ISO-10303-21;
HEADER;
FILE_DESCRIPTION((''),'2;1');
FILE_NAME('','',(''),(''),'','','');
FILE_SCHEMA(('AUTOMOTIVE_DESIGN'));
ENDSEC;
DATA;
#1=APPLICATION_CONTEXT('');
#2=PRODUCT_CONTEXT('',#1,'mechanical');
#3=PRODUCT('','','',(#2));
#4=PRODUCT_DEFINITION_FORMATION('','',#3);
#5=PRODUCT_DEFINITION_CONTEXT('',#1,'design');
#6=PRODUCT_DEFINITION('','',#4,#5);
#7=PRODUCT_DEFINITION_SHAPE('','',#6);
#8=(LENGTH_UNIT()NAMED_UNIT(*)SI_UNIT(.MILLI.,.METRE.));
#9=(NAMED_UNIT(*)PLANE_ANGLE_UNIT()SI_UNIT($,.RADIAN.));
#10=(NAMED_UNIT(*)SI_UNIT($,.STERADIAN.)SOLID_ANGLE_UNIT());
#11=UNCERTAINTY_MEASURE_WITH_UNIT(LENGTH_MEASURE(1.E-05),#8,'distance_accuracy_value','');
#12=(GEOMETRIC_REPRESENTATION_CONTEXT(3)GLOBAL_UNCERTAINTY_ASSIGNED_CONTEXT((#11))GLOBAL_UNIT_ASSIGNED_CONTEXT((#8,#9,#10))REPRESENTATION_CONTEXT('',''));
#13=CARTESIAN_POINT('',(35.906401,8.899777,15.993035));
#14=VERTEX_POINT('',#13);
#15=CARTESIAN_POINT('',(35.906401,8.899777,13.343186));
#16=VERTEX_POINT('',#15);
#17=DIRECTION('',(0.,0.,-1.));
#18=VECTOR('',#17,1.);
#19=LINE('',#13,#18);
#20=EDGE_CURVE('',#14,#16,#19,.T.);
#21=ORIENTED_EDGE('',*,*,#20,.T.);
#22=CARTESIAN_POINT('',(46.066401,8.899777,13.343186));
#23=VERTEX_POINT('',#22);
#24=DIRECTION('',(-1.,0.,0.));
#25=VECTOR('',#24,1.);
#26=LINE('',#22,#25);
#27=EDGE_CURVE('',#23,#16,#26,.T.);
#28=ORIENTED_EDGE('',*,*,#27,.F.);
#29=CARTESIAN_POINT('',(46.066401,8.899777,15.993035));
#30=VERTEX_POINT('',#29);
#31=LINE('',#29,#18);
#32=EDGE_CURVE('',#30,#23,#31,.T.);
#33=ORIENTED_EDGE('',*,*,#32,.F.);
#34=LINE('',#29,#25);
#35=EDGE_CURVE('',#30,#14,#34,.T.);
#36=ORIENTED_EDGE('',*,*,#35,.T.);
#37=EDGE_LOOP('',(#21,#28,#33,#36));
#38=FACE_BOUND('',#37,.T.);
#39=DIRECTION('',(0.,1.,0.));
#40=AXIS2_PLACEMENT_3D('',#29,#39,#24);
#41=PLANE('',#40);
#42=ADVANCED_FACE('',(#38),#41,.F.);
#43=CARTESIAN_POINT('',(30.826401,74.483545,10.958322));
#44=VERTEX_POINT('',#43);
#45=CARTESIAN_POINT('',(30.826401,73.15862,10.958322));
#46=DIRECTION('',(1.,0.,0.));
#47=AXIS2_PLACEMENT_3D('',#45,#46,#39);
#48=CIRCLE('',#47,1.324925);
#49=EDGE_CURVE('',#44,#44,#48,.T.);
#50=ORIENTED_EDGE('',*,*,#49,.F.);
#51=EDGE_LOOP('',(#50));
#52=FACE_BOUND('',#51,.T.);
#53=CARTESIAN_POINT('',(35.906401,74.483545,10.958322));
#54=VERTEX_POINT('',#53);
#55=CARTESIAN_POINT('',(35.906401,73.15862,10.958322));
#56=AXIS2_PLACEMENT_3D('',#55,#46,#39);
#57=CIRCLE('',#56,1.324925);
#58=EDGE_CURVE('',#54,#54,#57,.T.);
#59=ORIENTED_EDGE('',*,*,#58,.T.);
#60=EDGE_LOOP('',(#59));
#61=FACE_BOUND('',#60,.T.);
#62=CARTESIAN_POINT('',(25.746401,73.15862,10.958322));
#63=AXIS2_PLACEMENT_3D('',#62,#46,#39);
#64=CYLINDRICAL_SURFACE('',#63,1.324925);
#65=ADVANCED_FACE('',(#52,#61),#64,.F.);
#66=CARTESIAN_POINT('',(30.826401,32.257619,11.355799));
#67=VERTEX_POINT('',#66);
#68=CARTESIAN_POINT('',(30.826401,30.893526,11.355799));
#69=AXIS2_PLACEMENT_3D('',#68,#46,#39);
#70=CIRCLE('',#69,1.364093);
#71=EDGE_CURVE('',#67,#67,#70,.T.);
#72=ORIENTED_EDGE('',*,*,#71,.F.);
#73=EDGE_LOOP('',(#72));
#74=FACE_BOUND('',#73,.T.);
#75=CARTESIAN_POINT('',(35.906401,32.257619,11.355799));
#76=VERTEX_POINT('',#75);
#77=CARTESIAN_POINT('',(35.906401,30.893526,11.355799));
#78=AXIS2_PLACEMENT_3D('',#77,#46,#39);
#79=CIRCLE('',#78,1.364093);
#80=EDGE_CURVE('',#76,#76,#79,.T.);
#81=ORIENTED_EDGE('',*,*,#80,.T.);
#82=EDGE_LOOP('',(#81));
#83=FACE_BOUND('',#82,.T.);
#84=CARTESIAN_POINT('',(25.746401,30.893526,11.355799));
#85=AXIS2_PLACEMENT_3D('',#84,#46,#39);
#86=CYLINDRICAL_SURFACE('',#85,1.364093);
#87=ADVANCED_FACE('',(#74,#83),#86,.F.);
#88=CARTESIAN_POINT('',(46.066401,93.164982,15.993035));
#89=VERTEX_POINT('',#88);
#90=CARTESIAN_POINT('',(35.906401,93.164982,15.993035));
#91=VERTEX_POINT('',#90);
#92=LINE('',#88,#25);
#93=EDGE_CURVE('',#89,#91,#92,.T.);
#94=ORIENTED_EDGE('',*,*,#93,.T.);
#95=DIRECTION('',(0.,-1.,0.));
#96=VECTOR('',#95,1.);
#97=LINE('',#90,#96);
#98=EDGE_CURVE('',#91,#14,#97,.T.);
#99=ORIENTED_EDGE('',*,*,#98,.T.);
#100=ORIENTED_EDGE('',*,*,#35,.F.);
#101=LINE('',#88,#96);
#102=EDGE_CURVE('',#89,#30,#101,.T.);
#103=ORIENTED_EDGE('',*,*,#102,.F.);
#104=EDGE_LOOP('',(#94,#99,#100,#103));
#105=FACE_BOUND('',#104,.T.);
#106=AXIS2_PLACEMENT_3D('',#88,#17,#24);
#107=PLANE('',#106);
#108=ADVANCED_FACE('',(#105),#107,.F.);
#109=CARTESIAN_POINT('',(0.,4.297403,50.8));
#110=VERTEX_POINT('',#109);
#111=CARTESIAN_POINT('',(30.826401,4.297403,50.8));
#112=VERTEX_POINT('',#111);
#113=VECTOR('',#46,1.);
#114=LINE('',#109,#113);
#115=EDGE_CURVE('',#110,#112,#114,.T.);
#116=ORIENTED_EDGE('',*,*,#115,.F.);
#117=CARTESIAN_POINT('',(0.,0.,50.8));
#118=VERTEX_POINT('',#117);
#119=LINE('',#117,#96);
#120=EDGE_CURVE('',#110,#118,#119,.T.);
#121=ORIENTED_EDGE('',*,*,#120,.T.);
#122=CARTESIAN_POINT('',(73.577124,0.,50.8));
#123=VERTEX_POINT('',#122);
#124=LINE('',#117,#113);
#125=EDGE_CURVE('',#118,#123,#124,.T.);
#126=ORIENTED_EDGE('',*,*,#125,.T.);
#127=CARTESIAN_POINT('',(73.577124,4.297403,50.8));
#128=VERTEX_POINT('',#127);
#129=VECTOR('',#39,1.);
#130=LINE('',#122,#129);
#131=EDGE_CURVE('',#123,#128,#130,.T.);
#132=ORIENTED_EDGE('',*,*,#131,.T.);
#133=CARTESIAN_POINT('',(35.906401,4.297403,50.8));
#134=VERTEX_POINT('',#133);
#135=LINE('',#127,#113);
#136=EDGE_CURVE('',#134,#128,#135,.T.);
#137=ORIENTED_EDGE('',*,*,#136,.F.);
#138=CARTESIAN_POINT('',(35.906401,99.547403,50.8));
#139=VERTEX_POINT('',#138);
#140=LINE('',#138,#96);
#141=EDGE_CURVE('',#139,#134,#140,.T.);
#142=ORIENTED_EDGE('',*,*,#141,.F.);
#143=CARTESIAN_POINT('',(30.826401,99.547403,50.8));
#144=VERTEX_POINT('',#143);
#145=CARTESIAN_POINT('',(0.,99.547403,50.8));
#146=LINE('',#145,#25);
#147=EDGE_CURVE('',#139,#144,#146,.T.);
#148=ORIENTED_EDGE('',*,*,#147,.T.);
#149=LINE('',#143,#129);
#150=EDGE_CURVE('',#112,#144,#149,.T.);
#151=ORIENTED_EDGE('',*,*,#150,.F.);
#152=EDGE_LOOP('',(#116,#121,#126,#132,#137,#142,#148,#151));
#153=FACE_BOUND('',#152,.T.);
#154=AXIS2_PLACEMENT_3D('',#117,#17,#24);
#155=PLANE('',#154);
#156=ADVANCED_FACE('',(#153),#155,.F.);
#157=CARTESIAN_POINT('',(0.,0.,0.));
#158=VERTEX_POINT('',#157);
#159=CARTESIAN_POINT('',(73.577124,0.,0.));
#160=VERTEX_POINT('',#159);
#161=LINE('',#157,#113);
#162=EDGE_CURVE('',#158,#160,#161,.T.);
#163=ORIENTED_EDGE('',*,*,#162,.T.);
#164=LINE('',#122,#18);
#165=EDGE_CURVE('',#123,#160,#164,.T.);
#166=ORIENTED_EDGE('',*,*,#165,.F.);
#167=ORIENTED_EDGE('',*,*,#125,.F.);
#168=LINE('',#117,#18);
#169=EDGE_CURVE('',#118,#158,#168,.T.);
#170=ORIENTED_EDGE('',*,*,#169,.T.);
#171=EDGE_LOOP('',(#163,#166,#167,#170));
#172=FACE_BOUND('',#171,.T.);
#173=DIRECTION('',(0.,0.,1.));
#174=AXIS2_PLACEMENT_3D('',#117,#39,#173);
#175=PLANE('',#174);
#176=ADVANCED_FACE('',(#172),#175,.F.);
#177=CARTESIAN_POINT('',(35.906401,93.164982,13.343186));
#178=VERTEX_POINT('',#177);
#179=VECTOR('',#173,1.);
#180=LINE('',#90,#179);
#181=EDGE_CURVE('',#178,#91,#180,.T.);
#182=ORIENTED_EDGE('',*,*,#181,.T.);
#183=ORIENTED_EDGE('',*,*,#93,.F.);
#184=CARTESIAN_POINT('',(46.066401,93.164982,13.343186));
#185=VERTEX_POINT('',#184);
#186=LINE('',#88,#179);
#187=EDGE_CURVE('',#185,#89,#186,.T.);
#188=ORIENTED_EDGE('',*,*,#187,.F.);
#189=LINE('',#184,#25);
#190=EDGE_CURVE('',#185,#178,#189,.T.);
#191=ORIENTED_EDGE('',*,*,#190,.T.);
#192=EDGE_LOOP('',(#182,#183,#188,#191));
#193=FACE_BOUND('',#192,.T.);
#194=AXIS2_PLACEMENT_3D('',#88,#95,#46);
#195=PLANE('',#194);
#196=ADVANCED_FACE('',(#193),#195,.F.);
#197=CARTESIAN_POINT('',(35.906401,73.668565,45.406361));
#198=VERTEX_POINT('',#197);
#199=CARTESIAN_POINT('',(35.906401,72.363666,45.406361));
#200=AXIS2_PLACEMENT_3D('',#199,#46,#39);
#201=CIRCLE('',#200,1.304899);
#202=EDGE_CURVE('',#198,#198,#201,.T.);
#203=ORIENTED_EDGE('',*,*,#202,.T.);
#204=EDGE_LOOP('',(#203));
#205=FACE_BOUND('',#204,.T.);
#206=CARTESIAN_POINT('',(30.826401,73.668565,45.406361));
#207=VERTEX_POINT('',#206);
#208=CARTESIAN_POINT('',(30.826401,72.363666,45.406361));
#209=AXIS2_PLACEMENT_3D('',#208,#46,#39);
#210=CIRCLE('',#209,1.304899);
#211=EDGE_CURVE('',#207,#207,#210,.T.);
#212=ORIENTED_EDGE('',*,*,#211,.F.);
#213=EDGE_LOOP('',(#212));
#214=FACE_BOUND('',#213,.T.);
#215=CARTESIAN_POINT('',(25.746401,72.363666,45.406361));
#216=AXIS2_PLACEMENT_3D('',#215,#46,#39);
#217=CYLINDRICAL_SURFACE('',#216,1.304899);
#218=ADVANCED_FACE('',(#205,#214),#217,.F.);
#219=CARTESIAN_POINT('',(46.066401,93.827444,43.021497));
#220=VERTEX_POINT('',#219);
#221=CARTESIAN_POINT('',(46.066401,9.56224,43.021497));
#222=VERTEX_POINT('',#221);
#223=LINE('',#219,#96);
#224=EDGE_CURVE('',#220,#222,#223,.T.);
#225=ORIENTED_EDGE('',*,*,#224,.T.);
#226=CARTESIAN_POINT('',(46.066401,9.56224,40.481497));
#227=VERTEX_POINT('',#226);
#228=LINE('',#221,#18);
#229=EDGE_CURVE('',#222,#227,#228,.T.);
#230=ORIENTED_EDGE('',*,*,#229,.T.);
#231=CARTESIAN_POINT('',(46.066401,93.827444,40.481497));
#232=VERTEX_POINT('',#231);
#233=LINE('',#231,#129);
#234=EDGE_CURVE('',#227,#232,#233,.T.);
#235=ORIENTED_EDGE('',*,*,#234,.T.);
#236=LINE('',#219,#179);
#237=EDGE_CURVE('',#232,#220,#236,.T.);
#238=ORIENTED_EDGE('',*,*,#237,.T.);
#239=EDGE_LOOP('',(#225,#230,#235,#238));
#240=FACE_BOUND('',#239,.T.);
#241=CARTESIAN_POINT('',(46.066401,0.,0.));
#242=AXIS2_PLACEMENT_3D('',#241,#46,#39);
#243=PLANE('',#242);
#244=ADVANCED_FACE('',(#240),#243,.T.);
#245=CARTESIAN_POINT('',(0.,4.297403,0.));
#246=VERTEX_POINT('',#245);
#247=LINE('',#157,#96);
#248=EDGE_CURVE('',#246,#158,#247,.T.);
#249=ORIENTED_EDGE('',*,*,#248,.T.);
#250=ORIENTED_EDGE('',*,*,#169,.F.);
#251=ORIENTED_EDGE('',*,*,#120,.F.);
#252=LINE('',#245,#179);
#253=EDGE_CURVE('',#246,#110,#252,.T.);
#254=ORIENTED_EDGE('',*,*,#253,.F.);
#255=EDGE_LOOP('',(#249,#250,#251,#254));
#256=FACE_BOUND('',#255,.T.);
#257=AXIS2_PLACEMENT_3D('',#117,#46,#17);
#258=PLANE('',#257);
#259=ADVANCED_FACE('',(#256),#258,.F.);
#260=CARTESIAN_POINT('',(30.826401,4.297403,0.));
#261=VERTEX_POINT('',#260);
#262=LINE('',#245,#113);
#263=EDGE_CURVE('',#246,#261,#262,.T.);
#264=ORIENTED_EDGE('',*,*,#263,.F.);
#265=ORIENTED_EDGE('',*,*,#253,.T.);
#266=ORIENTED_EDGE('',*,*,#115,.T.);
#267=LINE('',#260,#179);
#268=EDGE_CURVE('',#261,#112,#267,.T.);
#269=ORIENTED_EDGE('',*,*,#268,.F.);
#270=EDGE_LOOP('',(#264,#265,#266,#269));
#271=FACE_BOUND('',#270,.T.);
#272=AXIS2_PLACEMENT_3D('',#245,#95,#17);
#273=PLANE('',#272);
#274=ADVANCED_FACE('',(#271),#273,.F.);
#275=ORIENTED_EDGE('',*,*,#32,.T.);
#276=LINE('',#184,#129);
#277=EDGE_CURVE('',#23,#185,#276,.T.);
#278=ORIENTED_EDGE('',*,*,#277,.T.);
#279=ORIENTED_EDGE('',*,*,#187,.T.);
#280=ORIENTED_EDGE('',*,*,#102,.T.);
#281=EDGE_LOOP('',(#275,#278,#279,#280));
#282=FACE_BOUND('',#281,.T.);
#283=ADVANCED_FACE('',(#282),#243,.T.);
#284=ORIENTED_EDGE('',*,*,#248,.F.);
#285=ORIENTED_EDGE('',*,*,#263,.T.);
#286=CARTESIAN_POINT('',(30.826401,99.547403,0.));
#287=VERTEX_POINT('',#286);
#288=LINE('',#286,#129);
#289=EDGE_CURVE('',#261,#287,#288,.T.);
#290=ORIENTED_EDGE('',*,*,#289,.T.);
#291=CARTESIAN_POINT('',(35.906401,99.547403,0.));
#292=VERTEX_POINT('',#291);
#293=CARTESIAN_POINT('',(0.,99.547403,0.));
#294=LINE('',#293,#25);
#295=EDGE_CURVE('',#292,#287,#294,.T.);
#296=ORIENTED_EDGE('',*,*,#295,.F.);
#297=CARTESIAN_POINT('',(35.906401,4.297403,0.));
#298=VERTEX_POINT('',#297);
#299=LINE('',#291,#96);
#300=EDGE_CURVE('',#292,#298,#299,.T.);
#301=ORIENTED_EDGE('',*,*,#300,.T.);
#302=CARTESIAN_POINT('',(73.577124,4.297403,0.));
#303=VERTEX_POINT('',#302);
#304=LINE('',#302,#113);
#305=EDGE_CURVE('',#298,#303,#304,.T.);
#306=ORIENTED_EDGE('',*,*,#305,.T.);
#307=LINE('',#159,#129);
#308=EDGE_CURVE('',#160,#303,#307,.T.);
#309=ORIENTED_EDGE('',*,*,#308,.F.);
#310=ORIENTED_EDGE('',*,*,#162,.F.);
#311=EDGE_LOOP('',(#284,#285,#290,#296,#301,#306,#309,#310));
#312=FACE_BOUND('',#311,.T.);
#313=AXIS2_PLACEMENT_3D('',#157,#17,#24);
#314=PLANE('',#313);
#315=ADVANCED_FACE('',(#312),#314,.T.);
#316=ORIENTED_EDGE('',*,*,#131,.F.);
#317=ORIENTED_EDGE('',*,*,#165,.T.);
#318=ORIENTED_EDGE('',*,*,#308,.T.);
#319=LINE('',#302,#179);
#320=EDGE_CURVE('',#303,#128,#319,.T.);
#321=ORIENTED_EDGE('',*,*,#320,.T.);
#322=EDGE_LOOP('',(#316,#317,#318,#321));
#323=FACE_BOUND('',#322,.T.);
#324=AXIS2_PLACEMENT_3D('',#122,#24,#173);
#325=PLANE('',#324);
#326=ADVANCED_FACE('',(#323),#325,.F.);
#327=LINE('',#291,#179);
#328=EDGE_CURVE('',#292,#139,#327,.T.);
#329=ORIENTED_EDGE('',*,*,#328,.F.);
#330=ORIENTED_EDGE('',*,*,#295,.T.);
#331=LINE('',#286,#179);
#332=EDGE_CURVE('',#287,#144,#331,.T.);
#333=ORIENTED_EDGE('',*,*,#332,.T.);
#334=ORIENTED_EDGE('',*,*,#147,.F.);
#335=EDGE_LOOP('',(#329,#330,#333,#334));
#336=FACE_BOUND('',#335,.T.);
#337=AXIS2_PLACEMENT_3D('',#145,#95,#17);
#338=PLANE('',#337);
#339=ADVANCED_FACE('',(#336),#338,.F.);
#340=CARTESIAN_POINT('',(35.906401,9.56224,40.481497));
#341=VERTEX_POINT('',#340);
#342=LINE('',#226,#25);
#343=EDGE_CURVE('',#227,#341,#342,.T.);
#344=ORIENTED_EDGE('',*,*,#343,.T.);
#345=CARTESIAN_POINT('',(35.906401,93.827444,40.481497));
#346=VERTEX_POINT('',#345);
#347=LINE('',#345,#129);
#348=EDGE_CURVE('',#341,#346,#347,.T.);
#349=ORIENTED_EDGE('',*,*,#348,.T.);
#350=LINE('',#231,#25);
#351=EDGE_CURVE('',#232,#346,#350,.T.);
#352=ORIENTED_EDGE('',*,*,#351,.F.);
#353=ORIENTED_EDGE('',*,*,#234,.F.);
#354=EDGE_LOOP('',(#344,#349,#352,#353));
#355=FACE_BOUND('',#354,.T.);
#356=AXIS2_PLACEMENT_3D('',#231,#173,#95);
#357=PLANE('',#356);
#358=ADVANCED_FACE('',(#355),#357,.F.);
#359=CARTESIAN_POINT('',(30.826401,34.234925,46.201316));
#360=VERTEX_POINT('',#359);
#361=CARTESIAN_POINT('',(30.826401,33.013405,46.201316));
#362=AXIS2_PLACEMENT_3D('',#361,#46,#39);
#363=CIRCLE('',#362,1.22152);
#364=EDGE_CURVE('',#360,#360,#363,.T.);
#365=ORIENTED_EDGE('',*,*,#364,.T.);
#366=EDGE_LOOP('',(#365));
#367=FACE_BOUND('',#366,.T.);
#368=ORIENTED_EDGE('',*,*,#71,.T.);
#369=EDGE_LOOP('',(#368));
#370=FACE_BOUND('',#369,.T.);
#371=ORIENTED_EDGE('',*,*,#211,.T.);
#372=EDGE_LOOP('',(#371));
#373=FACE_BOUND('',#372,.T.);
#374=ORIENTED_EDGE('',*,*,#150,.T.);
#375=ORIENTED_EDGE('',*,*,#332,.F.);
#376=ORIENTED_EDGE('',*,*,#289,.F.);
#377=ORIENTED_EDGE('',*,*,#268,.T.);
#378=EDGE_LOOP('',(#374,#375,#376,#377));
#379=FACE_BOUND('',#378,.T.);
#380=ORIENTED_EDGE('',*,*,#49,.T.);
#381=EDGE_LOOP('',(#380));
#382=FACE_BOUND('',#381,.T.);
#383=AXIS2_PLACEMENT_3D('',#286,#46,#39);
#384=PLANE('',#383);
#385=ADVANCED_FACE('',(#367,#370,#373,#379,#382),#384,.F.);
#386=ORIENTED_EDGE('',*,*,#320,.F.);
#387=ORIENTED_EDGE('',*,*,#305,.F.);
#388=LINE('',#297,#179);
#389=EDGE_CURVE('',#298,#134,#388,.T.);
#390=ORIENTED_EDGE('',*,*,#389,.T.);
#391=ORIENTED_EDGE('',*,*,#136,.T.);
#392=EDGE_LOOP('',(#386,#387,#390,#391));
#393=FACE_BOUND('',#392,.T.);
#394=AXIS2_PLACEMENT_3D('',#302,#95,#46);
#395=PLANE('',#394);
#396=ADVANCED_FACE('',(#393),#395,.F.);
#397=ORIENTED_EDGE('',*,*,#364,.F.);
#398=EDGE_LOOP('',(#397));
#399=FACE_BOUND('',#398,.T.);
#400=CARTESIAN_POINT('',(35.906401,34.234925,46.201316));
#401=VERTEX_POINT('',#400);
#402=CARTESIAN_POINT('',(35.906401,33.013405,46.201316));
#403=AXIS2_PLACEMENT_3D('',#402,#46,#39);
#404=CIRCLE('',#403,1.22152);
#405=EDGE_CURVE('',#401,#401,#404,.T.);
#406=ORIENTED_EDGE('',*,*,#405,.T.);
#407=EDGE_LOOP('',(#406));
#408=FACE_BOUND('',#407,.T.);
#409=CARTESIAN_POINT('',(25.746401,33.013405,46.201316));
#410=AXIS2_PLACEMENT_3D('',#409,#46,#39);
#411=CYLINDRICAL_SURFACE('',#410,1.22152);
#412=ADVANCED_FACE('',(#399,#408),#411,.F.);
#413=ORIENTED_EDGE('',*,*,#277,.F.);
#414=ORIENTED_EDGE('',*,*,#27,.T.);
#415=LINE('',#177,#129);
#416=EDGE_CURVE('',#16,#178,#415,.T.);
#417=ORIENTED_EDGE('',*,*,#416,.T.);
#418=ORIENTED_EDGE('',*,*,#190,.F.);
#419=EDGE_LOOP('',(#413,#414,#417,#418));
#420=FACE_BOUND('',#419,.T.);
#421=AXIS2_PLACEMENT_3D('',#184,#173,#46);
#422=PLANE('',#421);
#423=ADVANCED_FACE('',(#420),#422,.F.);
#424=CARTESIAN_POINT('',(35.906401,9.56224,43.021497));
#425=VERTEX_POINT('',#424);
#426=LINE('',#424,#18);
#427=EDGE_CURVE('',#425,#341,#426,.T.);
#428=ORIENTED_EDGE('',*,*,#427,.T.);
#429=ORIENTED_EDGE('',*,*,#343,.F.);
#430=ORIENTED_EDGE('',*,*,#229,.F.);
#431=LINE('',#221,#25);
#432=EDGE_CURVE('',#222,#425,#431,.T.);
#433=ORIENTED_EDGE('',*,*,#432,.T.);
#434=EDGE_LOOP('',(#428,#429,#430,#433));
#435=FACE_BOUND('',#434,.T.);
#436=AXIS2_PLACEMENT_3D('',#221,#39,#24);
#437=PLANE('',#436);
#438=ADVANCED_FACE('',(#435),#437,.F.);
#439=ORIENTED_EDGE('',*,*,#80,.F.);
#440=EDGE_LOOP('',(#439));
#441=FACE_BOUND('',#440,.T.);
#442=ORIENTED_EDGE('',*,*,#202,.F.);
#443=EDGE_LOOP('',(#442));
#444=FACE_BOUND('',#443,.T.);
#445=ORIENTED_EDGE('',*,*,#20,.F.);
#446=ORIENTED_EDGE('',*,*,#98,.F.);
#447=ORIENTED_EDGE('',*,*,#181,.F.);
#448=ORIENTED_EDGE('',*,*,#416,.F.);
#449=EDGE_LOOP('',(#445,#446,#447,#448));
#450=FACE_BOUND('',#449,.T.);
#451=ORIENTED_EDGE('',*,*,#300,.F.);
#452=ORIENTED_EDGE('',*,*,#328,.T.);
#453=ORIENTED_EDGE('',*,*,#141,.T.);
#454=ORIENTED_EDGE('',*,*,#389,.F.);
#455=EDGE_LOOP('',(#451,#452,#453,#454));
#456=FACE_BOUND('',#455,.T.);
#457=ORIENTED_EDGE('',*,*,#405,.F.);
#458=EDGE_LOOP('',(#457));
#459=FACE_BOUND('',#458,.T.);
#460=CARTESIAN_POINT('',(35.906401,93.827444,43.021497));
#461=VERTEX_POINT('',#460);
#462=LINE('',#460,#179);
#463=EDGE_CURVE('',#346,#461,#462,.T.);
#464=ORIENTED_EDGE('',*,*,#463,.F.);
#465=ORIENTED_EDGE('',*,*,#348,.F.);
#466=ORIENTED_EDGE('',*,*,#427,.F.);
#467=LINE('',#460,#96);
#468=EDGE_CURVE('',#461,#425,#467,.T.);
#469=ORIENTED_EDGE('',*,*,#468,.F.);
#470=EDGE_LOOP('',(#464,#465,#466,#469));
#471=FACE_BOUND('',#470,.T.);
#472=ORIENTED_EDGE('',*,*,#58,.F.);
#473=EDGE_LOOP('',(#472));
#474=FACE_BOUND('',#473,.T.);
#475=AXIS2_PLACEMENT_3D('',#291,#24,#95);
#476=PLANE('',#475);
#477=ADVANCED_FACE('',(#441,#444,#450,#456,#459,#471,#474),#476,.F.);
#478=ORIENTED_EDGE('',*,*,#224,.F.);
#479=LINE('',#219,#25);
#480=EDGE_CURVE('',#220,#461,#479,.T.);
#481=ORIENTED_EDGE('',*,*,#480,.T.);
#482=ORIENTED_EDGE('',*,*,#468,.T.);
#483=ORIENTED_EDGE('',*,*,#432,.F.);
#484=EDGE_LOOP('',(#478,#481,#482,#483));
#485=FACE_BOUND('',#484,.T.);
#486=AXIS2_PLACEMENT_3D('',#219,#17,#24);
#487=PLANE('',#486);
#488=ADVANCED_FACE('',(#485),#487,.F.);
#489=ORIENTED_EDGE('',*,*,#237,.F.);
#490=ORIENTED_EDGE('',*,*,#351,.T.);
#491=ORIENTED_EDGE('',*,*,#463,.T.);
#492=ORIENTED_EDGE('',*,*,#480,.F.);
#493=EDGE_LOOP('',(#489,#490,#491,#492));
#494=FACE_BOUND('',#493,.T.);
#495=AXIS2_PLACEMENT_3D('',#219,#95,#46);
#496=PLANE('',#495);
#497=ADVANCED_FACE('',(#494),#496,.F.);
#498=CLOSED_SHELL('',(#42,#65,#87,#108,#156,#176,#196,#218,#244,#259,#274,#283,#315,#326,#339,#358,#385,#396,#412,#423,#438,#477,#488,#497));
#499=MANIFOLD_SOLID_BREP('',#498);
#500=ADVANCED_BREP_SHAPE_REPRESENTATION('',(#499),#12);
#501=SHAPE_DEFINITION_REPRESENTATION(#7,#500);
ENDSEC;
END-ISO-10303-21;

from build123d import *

# Parameters (mm, degrees)
SKETCH5_W           = 73.577123652
SKETCH5_H           = 99.547402554
BOSS_EXTRUDE2_DEPTH = 50.8
SKETCH6_W           = 30.82640112
SKETCH6_H           = 95.25
CUT_EXTRUDE3_DEPTH  = 50.8
SKETCH7_W           = 37.670722532
SKETCH7_H           = 95.25
CUT_EXTRUDE4_DEPTH  = 50.8
SKETCH8_W           = 2.54
SKETCH8_H           = 84.265204652
BOSS_EXTRUDE3_DEPTH = 10.16
SKETCH9_W           = 2.649849203
SKETCH9_H           = 84.265204652
BOSS_EXTRUDE4_DEPTH = 10.16
SKETCH10_R          = 1.3048994
CUT_EXTRUDE5_DEPTH  = 10.16
SKETCH11_R          = 1.324924601
CUT_EXTRUDE6_DEPTH  = 10.16
SKETCH12_R          = 1.221520127
CUT_EXTRUDE7_DEPTH  = 10.16
SKETCH13_R          = 1.364093366
CUT_EXTRUDE8_DEPTH  = 10.16


with BuildPart() as part:
    # Sketch5 → Boss-Extrude2 (new body)
    with BuildSketch(Plane.XY):
        with Locations((36.788561826, 49.773701277)):
            Rectangle(SKETCH5_W, SKETCH5_H)
    extrude(amount=BOSS_EXTRUDE2_DEPTH)

    # Sketch6 → Cut-Extrude3 (cut)
    with BuildSketch(Plane.XY.offset(50.8)):
        with Locations((15.41320056, 51.922402554)):
            Rectangle(SKETCH6_W, SKETCH6_H)
    extrude(amount=-CUT_EXTRUDE3_DEPTH, mode=Mode.SUBTRACT)

    # Sketch7 → Cut-Extrude4 (cut)
    with BuildSketch(Plane.XY.offset(50.8)):
        with Locations((54.741762386, 51.922402554)):
            Rectangle(SKETCH7_W, SKETCH7_H)
    extrude(amount=-CUT_EXTRUDE4_DEPTH, mode=Mode.SUBTRACT)

    # Sketch8 → Boss-Extrude3 (add)
    with BuildSketch(Plane(origin=(35.90640112, 0, 0), x_dir=(0, 0, -1), z_dir=(1, 0, 0))):
        with Locations((-41.751497199, 51.694841949)):
            Rectangle(SKETCH8_W, SKETCH8_H)
    extrude(amount=BOSS_EXTRUDE3_DEPTH)

    # Sketch9 → Boss-Extrude4 (add)
    with BuildSketch(Plane(origin=(35.90640112, 0, 0), x_dir=(0, 0, -1), z_dir=(1, 0, 0))):
        with Locations((-14.668110729, 51.032379648)):
            Rectangle(SKETCH9_W, SKETCH9_H)
    extrude(amount=BOSS_EXTRUDE4_DEPTH)

    # Sketch10 → Cut-Extrude5 (cut)
    with BuildSketch(Plane(origin=(35.90640112, 0, 0), x_dir=(0, 0, -1), z_dir=(1, 0, 0))):
        with Locations((-45.406361482, 72.363665732)):
            Circle(SKETCH10_R)
    extrude(amount=-CUT_EXTRUDE5_DEPTH, mode=Mode.SUBTRACT)

    # Sketch11 → Cut-Extrude6 (cut)
    with BuildSketch(Plane(origin=(35.90640112, 0, 0), x_dir=(0, 0, -1), z_dir=(1, 0, 0))):
        with Locations((-10.958321844, 73.158620492)):
            Circle(SKETCH11_R)
    extrude(amount=-CUT_EXTRUDE6_DEPTH, mode=Mode.SUBTRACT)

    # Sketch12 → Cut-Extrude7 (cut)
    with BuildSketch(Plane(origin=(35.90640112, 0, 0), x_dir=(0, 0, -1), z_dir=(1, 0, 0))):
        with Locations((-46.201316243, 33.013405069)):
            Circle(SKETCH12_R)
    extrude(amount=-CUT_EXTRUDE7_DEPTH, mode=Mode.SUBTRACT)

    # Sketch13 → Cut-Extrude8 (cut)
    with BuildSketch(Plane(origin=(35.90640112, 0, 0), x_dir=(0, 0, -1), z_dir=(1, 0, 0))):
        with Locations((-11.355799225, 30.893525706)):
            Circle(SKETCH13_R)
    extrude(amount=-CUT_EXTRUDE8_DEPTH, mode=Mode.SUBTRACT)


solid = part.part
